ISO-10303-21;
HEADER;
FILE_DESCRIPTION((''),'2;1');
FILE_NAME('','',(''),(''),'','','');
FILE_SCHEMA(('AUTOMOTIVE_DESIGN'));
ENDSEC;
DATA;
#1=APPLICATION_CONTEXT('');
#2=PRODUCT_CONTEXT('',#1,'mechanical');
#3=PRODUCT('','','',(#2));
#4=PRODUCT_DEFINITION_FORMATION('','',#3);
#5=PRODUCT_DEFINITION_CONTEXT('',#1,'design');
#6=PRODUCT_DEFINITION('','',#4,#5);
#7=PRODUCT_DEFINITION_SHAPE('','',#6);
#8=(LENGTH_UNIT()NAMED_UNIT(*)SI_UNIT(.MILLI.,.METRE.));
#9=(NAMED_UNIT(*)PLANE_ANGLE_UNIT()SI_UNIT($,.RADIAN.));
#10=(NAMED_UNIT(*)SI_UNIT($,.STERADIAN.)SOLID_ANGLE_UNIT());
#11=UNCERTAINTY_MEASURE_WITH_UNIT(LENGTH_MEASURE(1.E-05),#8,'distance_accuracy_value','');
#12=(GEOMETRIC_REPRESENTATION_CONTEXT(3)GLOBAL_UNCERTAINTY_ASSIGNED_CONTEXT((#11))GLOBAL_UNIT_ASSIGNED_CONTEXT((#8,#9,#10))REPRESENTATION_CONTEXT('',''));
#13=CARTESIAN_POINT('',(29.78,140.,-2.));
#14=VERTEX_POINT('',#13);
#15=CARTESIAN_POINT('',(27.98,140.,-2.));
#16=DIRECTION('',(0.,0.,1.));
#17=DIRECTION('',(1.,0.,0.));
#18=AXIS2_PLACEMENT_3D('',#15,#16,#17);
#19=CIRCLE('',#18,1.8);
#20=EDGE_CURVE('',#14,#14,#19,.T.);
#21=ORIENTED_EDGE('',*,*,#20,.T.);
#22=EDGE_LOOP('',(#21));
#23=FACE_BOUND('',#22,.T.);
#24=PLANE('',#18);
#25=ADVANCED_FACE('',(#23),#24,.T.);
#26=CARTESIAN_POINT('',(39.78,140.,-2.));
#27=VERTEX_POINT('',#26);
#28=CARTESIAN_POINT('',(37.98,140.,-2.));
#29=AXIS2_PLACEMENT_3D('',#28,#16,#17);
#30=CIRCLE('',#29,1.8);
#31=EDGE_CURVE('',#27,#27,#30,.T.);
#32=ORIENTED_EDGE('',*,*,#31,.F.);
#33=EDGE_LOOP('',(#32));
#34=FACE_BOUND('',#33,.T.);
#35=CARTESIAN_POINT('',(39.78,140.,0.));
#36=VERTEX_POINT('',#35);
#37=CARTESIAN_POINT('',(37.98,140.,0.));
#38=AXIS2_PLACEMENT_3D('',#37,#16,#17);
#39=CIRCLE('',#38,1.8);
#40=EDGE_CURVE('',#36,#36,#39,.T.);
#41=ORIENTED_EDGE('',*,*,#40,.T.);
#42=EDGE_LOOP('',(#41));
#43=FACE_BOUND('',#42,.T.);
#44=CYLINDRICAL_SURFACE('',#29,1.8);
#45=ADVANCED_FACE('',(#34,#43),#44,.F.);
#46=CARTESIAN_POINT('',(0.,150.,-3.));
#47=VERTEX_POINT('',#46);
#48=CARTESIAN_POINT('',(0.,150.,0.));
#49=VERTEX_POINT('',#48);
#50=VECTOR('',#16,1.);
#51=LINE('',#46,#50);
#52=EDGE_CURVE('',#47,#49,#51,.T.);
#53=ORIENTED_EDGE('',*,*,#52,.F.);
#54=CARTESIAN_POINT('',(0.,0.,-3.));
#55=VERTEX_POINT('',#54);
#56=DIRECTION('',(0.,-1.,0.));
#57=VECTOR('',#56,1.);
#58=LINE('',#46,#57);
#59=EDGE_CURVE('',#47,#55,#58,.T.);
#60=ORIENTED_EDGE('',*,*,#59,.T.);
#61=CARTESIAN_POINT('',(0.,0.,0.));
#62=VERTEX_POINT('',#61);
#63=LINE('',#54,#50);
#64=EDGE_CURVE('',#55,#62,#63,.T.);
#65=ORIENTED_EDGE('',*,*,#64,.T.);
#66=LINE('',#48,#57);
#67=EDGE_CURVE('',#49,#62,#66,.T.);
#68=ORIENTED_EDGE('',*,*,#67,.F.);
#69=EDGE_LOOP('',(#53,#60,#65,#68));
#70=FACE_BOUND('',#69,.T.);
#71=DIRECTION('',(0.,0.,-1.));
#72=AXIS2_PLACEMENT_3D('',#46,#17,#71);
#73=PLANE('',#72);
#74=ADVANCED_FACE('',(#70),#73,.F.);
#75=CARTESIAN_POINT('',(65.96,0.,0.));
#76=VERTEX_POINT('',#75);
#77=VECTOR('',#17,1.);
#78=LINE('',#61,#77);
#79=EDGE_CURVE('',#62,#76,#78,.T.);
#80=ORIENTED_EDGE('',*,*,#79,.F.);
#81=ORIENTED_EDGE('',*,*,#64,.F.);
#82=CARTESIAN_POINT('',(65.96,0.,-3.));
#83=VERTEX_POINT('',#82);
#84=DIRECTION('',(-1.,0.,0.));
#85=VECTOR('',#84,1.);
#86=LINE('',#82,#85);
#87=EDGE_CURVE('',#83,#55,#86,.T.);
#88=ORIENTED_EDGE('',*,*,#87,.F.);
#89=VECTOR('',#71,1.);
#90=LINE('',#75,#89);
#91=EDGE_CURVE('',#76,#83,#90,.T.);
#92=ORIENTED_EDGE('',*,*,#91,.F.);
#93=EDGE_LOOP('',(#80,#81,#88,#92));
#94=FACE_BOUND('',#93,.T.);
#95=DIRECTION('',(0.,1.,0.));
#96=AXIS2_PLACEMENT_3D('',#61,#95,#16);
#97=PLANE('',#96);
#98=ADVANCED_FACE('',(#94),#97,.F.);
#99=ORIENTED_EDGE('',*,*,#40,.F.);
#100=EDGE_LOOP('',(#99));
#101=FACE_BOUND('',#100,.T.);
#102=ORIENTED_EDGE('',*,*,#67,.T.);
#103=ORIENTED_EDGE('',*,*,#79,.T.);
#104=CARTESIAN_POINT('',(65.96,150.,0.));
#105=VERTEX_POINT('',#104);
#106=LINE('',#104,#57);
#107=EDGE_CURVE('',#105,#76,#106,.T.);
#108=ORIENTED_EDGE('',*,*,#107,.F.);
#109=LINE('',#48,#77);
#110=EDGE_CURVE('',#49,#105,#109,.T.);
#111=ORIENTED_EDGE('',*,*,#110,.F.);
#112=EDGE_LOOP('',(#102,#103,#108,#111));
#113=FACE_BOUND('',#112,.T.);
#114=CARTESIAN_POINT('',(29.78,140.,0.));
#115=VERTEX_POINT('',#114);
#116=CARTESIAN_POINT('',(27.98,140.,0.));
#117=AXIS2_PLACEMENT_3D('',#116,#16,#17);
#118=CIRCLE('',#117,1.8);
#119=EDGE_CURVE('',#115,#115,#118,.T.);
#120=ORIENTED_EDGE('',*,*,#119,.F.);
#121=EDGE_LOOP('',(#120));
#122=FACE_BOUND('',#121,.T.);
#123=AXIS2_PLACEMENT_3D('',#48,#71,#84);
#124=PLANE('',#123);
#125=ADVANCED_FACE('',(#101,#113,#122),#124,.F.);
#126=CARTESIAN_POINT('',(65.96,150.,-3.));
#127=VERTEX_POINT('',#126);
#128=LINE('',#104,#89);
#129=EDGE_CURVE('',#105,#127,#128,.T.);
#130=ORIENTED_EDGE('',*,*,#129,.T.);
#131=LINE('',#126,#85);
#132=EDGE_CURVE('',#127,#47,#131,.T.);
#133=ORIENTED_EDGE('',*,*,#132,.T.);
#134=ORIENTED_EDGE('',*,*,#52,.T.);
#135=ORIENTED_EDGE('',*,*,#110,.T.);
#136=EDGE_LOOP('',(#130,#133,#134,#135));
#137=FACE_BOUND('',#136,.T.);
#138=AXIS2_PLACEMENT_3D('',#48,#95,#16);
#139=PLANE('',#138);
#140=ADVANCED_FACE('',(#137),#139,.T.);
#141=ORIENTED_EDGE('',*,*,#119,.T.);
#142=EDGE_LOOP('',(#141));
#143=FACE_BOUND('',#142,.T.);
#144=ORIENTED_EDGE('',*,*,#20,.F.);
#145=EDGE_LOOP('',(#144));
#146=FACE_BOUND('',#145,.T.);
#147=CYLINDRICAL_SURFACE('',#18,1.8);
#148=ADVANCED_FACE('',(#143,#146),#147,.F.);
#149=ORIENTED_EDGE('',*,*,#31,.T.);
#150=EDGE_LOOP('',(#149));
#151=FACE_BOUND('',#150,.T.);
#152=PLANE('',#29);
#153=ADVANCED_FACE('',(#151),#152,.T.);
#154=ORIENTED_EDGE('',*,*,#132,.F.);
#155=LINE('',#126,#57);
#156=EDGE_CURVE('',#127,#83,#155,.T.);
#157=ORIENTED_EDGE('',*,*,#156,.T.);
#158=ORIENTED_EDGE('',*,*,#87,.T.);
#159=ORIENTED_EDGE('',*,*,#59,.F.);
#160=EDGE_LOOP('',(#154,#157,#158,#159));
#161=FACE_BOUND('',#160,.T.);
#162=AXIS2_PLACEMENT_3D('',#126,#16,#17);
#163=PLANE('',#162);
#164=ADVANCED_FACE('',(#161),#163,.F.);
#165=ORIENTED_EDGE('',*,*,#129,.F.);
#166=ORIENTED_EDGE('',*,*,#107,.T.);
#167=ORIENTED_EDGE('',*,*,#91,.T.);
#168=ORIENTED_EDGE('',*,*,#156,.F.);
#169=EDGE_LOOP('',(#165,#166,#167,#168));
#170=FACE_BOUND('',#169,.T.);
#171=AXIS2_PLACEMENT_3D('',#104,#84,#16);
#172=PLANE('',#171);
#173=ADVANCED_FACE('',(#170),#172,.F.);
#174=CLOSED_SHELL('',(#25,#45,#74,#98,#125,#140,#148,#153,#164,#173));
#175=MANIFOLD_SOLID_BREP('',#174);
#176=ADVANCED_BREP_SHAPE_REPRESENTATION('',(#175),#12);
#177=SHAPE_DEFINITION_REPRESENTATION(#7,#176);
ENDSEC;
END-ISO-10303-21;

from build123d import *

# Parameters (mm, degrees)
SKETCH1_W           = 65.96
SKETCH1_H           = 3
BOSS_EXTRUDE1_DEPTH = 150
SKETCH3_R           = 1.8
CUT_EXTRUDE1_DEPTH  = 2


with BuildPart() as part:
    # Sketch1 → Boss-Extrude1 (new body)
    with BuildSketch(Plane(origin=(0, 0, 0), x_dir=(1, 0, 0), z_dir=(0, 1, 0))):
        with Locations((32.98, 1.5)):
            Rectangle(SKETCH1_W, SKETCH1_H)
    extrude(amount=BOSS_EXTRUDE1_DEPTH)

    # Sketch3 → Cut-Extrude1 (cut)
    with BuildSketch(Plane.XY):
        with Locations((27.98, 140)):
            Circle(SKETCH3_R)
        with Locations((37.98, 140)):
            Circle(SKETCH3_R)
    extrude(amount=-CUT_EXTRUDE1_DEPTH, mode=Mode.SUBTRACT)


solid = part.part
